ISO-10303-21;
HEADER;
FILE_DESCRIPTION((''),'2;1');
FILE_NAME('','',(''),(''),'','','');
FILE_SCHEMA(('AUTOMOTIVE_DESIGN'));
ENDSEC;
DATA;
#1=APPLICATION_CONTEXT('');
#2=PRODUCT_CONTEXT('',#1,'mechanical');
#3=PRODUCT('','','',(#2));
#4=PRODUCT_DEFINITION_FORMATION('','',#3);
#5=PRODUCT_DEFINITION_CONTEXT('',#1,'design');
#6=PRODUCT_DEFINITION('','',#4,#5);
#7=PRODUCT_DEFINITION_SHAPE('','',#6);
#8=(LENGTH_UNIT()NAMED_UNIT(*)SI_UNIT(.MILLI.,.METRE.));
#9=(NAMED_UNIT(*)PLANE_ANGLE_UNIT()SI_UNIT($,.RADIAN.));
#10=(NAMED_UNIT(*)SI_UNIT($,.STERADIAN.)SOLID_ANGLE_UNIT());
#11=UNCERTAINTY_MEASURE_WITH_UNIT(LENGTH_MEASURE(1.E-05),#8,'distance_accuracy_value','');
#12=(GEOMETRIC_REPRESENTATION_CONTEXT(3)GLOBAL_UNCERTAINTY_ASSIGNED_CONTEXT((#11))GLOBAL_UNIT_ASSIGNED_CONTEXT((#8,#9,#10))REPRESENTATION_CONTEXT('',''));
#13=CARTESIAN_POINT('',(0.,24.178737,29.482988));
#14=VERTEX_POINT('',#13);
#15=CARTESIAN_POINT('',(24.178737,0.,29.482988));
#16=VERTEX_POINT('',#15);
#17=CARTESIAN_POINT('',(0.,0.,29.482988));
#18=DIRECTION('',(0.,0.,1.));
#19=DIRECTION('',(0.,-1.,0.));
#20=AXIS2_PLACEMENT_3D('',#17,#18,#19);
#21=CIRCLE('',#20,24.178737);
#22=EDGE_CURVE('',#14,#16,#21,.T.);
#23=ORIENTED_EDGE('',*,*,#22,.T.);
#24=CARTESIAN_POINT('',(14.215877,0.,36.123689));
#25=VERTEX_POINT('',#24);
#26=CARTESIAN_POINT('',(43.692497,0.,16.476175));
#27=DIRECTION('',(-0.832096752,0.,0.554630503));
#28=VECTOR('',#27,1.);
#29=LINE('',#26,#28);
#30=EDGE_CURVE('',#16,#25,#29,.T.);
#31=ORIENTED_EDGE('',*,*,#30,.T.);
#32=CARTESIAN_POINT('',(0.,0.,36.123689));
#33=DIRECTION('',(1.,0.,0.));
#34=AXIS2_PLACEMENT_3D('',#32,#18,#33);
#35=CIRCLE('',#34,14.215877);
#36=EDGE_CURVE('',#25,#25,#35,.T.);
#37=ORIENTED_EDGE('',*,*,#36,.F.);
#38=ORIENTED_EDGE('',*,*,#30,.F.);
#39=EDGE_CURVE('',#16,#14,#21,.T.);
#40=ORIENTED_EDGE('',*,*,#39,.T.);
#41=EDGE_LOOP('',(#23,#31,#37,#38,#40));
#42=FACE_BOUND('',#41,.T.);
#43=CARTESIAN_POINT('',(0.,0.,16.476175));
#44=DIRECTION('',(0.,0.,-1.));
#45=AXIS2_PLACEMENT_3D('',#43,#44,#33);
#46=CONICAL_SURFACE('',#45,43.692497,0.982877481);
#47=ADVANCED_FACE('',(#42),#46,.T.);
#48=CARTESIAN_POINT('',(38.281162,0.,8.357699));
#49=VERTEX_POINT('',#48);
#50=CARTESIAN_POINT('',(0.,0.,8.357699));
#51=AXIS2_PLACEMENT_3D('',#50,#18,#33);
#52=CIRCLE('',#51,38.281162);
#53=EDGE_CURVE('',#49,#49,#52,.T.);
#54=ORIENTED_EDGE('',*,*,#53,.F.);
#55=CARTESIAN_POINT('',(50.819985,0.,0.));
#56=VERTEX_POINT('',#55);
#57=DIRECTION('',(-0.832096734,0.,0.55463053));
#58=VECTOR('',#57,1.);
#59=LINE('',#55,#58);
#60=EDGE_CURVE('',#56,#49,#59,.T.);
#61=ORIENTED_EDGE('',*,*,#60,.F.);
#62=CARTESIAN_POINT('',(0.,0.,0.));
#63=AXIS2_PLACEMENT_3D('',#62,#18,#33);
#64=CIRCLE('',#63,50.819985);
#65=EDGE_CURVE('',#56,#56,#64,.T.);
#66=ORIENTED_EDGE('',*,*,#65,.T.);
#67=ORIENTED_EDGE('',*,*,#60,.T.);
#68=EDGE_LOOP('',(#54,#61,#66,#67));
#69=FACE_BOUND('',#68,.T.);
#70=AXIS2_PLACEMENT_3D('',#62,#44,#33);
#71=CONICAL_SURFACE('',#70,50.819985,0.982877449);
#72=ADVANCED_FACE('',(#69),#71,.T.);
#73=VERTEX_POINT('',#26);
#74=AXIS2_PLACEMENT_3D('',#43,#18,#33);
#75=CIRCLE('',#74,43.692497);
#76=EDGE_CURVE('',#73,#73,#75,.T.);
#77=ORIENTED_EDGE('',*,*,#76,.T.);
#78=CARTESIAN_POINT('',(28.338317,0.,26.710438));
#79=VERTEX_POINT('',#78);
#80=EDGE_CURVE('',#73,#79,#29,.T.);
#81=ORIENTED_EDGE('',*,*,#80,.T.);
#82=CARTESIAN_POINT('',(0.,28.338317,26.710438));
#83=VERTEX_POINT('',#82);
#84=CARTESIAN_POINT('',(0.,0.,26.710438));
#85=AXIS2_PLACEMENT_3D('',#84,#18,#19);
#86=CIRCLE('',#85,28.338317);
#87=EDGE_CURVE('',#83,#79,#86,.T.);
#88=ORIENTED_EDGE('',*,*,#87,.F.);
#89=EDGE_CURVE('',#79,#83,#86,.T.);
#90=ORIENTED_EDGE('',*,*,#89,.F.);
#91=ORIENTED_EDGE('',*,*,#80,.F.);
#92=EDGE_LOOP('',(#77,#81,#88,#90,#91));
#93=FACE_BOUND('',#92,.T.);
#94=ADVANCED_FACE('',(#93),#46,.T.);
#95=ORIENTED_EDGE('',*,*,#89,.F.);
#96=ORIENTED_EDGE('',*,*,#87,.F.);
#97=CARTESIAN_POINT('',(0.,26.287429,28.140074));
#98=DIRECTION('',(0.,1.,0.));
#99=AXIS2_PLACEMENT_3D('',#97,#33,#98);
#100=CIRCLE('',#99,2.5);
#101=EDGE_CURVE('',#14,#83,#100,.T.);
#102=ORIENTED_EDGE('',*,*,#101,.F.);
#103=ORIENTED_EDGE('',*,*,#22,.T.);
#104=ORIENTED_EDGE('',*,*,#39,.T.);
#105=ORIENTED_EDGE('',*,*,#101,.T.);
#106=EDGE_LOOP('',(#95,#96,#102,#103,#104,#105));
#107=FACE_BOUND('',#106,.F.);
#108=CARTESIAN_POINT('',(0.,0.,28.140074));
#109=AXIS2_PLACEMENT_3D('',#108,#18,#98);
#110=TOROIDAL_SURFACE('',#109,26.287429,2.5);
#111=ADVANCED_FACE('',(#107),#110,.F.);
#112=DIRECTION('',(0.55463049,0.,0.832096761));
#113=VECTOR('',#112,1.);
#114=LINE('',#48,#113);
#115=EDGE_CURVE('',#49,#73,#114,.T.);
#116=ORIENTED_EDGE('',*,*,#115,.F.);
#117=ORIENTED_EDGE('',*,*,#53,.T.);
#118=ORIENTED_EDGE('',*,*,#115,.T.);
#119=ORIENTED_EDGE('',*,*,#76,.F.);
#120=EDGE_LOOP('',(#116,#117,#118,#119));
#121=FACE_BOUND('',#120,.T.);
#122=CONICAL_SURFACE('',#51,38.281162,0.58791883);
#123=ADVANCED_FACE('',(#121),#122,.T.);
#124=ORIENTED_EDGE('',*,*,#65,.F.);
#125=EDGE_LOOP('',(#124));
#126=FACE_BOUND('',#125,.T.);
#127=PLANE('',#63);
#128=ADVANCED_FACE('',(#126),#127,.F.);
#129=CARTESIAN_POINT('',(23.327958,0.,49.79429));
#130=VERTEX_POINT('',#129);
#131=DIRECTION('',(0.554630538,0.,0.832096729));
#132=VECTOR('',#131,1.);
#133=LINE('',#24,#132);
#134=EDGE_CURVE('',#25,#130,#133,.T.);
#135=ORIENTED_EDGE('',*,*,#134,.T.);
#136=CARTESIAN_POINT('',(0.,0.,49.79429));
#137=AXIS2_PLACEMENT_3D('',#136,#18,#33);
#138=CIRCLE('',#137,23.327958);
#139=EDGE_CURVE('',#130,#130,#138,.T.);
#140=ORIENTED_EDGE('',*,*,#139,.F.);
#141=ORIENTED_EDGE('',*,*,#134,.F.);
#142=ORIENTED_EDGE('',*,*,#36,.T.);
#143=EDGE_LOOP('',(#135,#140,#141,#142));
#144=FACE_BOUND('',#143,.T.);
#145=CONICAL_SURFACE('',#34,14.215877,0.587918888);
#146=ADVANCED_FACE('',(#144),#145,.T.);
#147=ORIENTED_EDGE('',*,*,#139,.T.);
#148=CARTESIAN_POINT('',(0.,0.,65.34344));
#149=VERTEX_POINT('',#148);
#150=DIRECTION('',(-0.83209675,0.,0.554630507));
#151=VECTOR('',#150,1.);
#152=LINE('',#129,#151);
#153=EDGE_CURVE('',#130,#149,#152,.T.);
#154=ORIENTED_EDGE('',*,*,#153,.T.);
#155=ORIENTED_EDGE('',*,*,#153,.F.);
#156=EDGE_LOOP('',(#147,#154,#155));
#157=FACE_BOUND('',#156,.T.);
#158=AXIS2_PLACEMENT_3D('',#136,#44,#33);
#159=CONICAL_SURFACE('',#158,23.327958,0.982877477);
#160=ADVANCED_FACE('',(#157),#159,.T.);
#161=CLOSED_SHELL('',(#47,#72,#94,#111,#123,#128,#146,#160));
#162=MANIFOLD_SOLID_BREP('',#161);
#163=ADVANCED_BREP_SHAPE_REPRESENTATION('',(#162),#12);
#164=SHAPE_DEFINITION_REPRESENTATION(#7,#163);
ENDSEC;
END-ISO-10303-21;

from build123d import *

# Parameters (mm, degrees)
F2_R = 2.5


with BuildPart() as f1:
    # F0 (on Front) → F1 (revolve)
    with BuildSketch(Plane.XZ):
        Polygon((0, 65.34344), (0, 0), (50.819985, 0), (38.281162, 8.357699), (43.692497, 16.476175), (14.215877, 36.123689), (23.327958, 49.79429), align=None)
    revolve(axis=Axis((0, 0, 32.67172), (0, 0, 1)))

    # F2 (on Right) → F3 (revolve, cut)
    with BuildSketch(Plane.YZ):
        with Locations((26.287429, 28.140074)):
            Circle(F2_R)
    revolve(axis=Axis((0, 0, 32.67172), (0, 0, 1)), mode=Mode.SUBTRACT)


solid = f1.part
